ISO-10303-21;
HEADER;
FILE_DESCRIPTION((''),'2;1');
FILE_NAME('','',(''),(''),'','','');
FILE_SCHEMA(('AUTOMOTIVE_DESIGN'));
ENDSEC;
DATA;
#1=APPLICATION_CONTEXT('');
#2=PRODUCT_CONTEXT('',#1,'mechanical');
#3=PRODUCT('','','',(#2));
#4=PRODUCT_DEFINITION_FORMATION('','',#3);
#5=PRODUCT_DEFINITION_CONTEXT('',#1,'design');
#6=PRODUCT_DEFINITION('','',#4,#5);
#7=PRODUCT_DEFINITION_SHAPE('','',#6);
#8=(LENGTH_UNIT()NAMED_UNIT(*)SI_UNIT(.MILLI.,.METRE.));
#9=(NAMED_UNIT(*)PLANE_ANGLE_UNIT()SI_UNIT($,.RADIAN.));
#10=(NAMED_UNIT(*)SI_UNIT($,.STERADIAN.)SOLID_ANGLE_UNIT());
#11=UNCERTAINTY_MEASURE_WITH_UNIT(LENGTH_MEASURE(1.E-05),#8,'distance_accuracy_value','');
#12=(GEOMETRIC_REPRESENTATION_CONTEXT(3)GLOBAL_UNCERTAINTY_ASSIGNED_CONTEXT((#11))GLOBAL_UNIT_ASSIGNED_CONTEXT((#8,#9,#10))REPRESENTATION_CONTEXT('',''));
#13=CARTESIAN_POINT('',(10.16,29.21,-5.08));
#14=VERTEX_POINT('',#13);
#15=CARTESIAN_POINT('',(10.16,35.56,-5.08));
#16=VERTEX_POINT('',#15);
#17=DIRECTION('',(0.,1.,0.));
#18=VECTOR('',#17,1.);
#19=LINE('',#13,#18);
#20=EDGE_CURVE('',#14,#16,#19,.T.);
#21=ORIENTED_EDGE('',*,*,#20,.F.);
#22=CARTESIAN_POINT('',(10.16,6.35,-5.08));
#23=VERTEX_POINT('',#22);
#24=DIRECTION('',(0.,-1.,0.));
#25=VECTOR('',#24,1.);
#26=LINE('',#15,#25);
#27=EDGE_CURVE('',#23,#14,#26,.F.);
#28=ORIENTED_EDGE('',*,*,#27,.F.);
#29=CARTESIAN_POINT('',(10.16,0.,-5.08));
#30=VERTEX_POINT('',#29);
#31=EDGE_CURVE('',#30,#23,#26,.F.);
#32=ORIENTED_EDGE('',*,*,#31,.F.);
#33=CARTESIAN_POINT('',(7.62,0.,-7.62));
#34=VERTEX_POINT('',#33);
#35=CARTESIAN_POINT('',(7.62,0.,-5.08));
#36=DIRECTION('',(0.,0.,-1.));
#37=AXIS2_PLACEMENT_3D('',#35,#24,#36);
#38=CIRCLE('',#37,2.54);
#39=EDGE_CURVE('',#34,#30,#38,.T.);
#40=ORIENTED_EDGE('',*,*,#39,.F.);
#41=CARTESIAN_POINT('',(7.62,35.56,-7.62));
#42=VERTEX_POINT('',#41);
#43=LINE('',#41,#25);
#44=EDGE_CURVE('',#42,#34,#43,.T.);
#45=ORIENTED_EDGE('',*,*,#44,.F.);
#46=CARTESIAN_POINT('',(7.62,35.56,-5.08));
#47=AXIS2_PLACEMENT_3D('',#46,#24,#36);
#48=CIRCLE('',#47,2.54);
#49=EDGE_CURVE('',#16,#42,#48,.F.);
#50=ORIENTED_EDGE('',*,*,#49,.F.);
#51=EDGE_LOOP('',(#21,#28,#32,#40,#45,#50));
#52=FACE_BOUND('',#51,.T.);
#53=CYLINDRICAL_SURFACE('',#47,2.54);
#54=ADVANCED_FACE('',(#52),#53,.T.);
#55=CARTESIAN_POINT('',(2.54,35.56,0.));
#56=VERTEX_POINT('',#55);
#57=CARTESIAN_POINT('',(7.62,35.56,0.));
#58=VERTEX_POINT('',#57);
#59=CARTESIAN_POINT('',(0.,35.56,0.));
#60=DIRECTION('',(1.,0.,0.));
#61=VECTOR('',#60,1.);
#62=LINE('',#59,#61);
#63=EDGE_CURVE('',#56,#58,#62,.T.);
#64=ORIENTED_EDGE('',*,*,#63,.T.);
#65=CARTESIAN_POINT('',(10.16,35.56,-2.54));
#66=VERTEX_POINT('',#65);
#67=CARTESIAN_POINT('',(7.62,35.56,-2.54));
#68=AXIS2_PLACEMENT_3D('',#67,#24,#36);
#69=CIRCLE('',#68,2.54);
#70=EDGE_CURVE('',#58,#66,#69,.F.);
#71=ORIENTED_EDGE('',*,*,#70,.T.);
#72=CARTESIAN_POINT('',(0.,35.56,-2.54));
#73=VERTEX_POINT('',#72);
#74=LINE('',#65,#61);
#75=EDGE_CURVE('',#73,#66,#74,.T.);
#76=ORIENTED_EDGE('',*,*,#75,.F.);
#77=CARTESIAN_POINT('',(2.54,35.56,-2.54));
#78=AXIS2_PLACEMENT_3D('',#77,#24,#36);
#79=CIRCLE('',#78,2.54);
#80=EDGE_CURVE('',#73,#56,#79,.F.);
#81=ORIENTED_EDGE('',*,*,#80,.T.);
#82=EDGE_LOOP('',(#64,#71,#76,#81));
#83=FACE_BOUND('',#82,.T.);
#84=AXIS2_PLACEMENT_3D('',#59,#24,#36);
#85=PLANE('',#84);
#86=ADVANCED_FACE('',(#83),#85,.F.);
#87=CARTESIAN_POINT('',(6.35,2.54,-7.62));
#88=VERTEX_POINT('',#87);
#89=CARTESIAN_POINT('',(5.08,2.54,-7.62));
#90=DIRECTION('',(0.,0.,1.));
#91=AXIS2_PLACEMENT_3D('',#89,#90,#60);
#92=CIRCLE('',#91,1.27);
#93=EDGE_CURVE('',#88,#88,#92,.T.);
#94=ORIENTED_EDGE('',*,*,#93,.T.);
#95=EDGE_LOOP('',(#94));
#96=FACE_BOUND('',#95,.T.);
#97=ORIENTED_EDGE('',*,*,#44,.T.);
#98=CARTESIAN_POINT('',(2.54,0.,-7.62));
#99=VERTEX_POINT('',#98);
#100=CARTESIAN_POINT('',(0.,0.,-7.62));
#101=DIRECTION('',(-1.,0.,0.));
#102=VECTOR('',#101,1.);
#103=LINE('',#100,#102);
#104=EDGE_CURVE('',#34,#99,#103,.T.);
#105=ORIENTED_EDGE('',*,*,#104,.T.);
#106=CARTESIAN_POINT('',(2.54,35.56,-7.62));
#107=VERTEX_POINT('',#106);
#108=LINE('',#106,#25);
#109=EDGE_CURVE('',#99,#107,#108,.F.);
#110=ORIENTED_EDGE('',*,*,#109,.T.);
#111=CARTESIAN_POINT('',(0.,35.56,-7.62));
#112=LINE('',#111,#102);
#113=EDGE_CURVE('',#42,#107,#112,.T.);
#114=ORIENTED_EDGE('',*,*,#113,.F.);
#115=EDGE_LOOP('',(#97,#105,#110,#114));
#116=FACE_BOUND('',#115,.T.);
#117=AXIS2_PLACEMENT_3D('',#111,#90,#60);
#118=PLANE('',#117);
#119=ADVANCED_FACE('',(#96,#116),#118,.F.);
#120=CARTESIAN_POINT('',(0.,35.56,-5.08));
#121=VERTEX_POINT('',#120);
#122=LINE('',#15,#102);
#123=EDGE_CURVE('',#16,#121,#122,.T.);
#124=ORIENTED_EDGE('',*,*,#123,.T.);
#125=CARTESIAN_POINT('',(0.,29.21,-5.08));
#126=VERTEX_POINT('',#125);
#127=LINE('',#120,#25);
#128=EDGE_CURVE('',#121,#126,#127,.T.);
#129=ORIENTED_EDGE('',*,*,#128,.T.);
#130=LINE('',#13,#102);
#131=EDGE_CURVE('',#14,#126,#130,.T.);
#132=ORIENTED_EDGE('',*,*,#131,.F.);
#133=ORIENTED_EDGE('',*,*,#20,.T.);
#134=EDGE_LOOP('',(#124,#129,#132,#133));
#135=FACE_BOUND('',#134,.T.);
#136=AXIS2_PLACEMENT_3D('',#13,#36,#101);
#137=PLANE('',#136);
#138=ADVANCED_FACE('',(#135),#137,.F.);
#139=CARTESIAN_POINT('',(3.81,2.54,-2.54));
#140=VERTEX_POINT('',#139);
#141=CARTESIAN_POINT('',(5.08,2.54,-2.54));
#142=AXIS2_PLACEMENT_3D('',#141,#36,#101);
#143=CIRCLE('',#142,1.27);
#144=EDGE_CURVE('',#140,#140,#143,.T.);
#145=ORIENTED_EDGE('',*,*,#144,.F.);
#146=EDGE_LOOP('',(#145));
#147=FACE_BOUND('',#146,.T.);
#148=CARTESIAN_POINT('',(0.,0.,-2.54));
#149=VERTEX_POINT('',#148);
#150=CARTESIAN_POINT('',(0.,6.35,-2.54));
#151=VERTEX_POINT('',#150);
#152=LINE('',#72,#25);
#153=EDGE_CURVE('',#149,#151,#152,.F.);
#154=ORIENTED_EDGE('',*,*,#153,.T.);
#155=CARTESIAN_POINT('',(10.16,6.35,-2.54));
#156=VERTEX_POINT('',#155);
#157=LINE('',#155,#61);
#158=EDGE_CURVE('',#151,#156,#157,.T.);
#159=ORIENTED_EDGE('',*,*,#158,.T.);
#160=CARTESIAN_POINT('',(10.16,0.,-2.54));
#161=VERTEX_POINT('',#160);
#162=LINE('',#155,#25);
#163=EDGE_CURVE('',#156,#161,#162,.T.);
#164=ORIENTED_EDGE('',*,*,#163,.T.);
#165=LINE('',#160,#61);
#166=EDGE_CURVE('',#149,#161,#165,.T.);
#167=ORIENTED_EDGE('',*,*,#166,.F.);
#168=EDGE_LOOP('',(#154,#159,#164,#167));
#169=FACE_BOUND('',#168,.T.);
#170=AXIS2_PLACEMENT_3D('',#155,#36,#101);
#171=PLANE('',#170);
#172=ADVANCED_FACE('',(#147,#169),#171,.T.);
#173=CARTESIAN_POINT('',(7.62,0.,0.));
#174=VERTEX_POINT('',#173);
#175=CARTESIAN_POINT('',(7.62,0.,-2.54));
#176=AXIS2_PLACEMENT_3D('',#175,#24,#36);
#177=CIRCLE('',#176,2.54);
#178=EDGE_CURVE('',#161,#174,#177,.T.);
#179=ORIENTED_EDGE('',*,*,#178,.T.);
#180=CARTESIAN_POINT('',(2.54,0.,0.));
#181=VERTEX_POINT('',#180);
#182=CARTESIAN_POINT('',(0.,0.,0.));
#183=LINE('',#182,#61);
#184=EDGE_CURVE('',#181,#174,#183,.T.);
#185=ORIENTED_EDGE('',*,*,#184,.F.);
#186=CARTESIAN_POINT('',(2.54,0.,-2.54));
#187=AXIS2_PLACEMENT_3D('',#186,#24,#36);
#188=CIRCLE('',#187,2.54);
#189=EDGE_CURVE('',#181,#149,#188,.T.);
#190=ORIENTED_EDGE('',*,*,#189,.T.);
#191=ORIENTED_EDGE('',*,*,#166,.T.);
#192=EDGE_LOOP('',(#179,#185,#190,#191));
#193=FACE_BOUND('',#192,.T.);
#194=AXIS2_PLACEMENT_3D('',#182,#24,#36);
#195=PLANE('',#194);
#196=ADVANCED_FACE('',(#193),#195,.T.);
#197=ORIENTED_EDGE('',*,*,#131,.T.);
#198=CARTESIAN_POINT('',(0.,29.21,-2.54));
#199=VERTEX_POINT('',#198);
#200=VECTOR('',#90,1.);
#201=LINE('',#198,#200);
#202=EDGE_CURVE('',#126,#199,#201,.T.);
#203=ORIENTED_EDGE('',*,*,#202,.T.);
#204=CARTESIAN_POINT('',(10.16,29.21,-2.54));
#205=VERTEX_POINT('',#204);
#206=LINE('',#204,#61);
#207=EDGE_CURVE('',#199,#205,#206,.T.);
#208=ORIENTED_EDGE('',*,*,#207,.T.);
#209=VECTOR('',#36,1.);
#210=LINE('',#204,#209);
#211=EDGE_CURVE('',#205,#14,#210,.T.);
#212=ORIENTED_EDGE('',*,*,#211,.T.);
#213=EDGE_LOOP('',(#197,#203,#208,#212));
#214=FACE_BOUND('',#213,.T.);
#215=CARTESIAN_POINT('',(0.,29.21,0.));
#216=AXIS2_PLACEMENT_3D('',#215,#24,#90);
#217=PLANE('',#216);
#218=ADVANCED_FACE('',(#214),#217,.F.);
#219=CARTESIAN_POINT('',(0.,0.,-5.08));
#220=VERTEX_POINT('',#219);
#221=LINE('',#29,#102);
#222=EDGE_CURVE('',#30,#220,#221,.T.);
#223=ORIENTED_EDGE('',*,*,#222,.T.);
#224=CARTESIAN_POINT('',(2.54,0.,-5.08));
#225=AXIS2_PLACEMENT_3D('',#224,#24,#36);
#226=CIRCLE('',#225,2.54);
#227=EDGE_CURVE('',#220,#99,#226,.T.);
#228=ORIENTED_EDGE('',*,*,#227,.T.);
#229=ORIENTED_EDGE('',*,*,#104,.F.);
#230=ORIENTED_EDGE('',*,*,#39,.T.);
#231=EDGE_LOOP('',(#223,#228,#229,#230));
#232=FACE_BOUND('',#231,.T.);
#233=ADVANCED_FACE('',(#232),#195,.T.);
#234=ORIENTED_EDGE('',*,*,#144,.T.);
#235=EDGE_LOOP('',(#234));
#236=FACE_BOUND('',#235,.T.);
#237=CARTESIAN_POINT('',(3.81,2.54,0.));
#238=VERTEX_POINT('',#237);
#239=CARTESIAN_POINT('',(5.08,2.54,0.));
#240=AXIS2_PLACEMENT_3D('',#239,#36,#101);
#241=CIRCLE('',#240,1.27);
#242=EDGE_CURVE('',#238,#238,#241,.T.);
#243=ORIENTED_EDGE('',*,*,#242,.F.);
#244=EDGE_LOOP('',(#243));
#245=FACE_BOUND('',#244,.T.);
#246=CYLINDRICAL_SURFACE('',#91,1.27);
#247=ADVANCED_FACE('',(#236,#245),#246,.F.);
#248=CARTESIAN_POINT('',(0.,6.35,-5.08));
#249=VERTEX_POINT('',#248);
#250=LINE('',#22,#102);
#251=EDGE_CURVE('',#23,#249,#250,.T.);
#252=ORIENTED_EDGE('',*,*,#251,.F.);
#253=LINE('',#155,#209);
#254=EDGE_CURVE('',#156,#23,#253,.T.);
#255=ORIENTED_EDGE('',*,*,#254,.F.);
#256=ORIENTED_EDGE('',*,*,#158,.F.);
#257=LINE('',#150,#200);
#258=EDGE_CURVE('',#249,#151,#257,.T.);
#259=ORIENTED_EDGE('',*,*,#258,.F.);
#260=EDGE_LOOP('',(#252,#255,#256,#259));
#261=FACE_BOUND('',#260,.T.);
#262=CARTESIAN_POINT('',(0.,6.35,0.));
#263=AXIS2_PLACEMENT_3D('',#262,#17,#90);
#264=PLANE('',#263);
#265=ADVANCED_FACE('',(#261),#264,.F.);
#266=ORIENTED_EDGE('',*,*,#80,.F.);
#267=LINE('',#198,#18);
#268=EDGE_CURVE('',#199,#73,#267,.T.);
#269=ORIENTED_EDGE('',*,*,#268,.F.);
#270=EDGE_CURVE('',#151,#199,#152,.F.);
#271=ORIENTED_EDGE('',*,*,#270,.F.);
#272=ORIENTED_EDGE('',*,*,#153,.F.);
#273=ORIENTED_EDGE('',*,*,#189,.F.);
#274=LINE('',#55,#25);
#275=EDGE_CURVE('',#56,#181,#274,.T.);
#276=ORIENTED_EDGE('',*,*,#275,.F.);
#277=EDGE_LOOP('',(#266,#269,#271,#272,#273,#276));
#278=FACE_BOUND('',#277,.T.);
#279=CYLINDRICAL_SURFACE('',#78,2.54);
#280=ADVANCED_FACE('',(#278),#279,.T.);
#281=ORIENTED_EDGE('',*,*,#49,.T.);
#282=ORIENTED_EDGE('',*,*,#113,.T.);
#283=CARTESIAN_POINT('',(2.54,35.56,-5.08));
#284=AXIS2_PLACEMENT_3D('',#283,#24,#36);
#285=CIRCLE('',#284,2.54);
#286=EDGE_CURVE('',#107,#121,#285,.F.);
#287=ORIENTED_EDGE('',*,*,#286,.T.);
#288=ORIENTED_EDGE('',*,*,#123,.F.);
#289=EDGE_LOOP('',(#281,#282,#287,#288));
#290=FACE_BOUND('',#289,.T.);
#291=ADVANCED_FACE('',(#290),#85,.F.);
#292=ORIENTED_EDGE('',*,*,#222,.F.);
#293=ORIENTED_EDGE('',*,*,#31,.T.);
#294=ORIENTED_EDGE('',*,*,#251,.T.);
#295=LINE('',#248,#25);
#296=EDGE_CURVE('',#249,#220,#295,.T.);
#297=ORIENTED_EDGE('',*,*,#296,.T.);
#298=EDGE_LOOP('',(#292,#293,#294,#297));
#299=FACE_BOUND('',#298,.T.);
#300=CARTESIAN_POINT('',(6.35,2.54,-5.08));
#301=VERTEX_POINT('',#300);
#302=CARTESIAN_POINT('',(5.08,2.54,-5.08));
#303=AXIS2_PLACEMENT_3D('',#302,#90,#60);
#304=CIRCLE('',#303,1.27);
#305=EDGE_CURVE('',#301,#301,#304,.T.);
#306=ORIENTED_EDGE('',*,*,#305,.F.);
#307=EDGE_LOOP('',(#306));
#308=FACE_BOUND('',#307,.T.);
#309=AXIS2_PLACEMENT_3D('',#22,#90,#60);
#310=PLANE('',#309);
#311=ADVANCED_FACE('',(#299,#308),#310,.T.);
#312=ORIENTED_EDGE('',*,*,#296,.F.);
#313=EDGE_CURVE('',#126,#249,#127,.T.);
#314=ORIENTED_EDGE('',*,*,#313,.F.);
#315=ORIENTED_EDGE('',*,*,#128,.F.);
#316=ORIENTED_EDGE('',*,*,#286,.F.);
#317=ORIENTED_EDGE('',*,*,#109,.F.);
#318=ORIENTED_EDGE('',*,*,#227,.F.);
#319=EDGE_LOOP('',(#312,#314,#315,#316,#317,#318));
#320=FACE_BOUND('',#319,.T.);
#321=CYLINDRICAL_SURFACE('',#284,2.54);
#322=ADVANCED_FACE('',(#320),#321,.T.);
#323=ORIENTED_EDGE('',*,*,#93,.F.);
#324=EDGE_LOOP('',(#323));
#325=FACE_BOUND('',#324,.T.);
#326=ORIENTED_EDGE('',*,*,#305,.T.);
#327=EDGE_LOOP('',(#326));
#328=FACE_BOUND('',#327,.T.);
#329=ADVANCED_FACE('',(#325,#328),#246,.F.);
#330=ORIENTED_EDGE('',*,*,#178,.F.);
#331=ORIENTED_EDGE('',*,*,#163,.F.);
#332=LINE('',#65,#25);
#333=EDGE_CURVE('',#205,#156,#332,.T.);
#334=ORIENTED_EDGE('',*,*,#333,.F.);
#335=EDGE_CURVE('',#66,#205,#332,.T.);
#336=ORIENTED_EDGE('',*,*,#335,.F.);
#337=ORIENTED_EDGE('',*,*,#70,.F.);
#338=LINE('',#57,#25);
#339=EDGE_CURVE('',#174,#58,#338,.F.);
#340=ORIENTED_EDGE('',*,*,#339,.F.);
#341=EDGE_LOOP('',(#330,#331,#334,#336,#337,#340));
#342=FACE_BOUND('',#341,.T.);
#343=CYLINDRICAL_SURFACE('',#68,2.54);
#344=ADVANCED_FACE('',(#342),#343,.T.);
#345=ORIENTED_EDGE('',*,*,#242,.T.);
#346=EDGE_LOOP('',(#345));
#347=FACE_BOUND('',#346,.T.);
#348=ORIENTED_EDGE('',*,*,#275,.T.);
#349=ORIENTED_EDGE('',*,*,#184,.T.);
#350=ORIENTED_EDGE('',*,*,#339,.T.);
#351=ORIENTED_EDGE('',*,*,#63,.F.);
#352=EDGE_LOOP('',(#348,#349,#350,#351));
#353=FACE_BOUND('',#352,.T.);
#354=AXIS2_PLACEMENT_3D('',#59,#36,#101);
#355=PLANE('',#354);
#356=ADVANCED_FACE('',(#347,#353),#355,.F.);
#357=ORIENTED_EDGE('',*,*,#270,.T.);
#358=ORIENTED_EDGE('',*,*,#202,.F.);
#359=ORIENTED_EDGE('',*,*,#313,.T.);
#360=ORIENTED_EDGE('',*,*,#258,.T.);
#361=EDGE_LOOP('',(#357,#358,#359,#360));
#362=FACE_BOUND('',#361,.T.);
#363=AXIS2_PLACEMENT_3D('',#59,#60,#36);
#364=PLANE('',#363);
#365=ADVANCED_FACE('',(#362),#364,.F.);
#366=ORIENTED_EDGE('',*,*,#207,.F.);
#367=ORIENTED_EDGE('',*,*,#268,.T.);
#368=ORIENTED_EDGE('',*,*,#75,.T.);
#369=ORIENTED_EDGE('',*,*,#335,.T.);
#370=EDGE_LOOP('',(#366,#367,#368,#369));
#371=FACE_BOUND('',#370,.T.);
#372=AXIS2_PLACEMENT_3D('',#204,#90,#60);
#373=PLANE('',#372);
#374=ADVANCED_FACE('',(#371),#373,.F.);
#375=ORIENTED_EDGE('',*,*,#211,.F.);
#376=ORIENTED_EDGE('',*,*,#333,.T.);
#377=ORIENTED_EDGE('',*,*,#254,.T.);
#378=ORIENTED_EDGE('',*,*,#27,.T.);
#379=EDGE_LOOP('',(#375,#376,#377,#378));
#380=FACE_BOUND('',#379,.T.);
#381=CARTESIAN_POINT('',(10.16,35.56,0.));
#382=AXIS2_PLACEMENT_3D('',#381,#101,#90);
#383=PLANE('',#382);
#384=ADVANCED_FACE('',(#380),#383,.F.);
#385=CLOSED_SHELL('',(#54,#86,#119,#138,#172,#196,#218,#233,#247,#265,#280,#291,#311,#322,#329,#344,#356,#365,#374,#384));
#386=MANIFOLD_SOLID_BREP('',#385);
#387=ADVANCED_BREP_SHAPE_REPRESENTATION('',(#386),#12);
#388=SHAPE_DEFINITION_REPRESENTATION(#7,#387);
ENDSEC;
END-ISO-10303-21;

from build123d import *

# Parameters (mm, degrees)
SKETCH1_W               = 10.16
SKETCH1_H               = 7.62
BOSS_EXTRUDE1_DEPTH     = 35.56
FILLET1_R               = 2.54
SKETCH2_W               = 10.16
SKETCH2_H               = 2.54
CUT_EXTRUDE1_DEPTH      = 6.35
CUT_EXTRUDE2_DEPTH      = 38.759814618
CUT_EXTRUDE2_DEPTH_BACK = 38.759814618
SKETCH3_R               = 1.27


with BuildPart() as part:
    # Sketch1 → Boss-Extrude1 (new body)
    with BuildSketch(Plane(origin=(0, 0, 0), x_dir=(1, 0, 0), z_dir=(0, 1, 0))):
        with Locations((5.08, 3.81)):
            Rectangle(SKETCH1_W, SKETCH1_H)
    extrude(amount=BOSS_EXTRUDE1_DEPTH)

    # Fillet1
    fillet1_edges = [part.edges().sort_by_distance(p)[0] for p in [
        (0, 17.78, -7.62),
        (10.16, 17.78, -7.62),
        (10.16, 17.78, 0),
        (0, 17.78, 0),
    ]]
    fillet(fillet1_edges, radius=FILLET1_R)

    # Sketch2 → Cut-Extrude1 (cut)
    with BuildSketch(Plane(origin=(0, 0, 0), x_dir=(1, 0, 0), z_dir=(0, 1, 0))):
        with Locations((5.08, 3.81)):
            Rectangle(SKETCH2_W, SKETCH2_H)
    cut_extrude1 = extrude(amount=CUT_EXTRUDE1_DEPTH, mode=Mode.SUBTRACT)

    # Mirror1: Cut-Extrude1 across plane
    add(cut_extrude1.mirror(Plane.ZX.offset(17.78)), mode=Mode.SUBTRACT)

    # Sketch3 → Cut-Extrude2 (cut, two sides: drawn at the far end of the back side and taken through both)
    with BuildSketch(Plane.XY.offset(-CUT_EXTRUDE2_DEPTH_BACK)):
        with Locations(Location((5.08, 2.54, 0), (0, 0, 180))):
            Circle(SKETCH3_R)
    extrude(amount=CUT_EXTRUDE2_DEPTH + CUT_EXTRUDE2_DEPTH_BACK, mode=Mode.SUBTRACT)


solid = part.part
